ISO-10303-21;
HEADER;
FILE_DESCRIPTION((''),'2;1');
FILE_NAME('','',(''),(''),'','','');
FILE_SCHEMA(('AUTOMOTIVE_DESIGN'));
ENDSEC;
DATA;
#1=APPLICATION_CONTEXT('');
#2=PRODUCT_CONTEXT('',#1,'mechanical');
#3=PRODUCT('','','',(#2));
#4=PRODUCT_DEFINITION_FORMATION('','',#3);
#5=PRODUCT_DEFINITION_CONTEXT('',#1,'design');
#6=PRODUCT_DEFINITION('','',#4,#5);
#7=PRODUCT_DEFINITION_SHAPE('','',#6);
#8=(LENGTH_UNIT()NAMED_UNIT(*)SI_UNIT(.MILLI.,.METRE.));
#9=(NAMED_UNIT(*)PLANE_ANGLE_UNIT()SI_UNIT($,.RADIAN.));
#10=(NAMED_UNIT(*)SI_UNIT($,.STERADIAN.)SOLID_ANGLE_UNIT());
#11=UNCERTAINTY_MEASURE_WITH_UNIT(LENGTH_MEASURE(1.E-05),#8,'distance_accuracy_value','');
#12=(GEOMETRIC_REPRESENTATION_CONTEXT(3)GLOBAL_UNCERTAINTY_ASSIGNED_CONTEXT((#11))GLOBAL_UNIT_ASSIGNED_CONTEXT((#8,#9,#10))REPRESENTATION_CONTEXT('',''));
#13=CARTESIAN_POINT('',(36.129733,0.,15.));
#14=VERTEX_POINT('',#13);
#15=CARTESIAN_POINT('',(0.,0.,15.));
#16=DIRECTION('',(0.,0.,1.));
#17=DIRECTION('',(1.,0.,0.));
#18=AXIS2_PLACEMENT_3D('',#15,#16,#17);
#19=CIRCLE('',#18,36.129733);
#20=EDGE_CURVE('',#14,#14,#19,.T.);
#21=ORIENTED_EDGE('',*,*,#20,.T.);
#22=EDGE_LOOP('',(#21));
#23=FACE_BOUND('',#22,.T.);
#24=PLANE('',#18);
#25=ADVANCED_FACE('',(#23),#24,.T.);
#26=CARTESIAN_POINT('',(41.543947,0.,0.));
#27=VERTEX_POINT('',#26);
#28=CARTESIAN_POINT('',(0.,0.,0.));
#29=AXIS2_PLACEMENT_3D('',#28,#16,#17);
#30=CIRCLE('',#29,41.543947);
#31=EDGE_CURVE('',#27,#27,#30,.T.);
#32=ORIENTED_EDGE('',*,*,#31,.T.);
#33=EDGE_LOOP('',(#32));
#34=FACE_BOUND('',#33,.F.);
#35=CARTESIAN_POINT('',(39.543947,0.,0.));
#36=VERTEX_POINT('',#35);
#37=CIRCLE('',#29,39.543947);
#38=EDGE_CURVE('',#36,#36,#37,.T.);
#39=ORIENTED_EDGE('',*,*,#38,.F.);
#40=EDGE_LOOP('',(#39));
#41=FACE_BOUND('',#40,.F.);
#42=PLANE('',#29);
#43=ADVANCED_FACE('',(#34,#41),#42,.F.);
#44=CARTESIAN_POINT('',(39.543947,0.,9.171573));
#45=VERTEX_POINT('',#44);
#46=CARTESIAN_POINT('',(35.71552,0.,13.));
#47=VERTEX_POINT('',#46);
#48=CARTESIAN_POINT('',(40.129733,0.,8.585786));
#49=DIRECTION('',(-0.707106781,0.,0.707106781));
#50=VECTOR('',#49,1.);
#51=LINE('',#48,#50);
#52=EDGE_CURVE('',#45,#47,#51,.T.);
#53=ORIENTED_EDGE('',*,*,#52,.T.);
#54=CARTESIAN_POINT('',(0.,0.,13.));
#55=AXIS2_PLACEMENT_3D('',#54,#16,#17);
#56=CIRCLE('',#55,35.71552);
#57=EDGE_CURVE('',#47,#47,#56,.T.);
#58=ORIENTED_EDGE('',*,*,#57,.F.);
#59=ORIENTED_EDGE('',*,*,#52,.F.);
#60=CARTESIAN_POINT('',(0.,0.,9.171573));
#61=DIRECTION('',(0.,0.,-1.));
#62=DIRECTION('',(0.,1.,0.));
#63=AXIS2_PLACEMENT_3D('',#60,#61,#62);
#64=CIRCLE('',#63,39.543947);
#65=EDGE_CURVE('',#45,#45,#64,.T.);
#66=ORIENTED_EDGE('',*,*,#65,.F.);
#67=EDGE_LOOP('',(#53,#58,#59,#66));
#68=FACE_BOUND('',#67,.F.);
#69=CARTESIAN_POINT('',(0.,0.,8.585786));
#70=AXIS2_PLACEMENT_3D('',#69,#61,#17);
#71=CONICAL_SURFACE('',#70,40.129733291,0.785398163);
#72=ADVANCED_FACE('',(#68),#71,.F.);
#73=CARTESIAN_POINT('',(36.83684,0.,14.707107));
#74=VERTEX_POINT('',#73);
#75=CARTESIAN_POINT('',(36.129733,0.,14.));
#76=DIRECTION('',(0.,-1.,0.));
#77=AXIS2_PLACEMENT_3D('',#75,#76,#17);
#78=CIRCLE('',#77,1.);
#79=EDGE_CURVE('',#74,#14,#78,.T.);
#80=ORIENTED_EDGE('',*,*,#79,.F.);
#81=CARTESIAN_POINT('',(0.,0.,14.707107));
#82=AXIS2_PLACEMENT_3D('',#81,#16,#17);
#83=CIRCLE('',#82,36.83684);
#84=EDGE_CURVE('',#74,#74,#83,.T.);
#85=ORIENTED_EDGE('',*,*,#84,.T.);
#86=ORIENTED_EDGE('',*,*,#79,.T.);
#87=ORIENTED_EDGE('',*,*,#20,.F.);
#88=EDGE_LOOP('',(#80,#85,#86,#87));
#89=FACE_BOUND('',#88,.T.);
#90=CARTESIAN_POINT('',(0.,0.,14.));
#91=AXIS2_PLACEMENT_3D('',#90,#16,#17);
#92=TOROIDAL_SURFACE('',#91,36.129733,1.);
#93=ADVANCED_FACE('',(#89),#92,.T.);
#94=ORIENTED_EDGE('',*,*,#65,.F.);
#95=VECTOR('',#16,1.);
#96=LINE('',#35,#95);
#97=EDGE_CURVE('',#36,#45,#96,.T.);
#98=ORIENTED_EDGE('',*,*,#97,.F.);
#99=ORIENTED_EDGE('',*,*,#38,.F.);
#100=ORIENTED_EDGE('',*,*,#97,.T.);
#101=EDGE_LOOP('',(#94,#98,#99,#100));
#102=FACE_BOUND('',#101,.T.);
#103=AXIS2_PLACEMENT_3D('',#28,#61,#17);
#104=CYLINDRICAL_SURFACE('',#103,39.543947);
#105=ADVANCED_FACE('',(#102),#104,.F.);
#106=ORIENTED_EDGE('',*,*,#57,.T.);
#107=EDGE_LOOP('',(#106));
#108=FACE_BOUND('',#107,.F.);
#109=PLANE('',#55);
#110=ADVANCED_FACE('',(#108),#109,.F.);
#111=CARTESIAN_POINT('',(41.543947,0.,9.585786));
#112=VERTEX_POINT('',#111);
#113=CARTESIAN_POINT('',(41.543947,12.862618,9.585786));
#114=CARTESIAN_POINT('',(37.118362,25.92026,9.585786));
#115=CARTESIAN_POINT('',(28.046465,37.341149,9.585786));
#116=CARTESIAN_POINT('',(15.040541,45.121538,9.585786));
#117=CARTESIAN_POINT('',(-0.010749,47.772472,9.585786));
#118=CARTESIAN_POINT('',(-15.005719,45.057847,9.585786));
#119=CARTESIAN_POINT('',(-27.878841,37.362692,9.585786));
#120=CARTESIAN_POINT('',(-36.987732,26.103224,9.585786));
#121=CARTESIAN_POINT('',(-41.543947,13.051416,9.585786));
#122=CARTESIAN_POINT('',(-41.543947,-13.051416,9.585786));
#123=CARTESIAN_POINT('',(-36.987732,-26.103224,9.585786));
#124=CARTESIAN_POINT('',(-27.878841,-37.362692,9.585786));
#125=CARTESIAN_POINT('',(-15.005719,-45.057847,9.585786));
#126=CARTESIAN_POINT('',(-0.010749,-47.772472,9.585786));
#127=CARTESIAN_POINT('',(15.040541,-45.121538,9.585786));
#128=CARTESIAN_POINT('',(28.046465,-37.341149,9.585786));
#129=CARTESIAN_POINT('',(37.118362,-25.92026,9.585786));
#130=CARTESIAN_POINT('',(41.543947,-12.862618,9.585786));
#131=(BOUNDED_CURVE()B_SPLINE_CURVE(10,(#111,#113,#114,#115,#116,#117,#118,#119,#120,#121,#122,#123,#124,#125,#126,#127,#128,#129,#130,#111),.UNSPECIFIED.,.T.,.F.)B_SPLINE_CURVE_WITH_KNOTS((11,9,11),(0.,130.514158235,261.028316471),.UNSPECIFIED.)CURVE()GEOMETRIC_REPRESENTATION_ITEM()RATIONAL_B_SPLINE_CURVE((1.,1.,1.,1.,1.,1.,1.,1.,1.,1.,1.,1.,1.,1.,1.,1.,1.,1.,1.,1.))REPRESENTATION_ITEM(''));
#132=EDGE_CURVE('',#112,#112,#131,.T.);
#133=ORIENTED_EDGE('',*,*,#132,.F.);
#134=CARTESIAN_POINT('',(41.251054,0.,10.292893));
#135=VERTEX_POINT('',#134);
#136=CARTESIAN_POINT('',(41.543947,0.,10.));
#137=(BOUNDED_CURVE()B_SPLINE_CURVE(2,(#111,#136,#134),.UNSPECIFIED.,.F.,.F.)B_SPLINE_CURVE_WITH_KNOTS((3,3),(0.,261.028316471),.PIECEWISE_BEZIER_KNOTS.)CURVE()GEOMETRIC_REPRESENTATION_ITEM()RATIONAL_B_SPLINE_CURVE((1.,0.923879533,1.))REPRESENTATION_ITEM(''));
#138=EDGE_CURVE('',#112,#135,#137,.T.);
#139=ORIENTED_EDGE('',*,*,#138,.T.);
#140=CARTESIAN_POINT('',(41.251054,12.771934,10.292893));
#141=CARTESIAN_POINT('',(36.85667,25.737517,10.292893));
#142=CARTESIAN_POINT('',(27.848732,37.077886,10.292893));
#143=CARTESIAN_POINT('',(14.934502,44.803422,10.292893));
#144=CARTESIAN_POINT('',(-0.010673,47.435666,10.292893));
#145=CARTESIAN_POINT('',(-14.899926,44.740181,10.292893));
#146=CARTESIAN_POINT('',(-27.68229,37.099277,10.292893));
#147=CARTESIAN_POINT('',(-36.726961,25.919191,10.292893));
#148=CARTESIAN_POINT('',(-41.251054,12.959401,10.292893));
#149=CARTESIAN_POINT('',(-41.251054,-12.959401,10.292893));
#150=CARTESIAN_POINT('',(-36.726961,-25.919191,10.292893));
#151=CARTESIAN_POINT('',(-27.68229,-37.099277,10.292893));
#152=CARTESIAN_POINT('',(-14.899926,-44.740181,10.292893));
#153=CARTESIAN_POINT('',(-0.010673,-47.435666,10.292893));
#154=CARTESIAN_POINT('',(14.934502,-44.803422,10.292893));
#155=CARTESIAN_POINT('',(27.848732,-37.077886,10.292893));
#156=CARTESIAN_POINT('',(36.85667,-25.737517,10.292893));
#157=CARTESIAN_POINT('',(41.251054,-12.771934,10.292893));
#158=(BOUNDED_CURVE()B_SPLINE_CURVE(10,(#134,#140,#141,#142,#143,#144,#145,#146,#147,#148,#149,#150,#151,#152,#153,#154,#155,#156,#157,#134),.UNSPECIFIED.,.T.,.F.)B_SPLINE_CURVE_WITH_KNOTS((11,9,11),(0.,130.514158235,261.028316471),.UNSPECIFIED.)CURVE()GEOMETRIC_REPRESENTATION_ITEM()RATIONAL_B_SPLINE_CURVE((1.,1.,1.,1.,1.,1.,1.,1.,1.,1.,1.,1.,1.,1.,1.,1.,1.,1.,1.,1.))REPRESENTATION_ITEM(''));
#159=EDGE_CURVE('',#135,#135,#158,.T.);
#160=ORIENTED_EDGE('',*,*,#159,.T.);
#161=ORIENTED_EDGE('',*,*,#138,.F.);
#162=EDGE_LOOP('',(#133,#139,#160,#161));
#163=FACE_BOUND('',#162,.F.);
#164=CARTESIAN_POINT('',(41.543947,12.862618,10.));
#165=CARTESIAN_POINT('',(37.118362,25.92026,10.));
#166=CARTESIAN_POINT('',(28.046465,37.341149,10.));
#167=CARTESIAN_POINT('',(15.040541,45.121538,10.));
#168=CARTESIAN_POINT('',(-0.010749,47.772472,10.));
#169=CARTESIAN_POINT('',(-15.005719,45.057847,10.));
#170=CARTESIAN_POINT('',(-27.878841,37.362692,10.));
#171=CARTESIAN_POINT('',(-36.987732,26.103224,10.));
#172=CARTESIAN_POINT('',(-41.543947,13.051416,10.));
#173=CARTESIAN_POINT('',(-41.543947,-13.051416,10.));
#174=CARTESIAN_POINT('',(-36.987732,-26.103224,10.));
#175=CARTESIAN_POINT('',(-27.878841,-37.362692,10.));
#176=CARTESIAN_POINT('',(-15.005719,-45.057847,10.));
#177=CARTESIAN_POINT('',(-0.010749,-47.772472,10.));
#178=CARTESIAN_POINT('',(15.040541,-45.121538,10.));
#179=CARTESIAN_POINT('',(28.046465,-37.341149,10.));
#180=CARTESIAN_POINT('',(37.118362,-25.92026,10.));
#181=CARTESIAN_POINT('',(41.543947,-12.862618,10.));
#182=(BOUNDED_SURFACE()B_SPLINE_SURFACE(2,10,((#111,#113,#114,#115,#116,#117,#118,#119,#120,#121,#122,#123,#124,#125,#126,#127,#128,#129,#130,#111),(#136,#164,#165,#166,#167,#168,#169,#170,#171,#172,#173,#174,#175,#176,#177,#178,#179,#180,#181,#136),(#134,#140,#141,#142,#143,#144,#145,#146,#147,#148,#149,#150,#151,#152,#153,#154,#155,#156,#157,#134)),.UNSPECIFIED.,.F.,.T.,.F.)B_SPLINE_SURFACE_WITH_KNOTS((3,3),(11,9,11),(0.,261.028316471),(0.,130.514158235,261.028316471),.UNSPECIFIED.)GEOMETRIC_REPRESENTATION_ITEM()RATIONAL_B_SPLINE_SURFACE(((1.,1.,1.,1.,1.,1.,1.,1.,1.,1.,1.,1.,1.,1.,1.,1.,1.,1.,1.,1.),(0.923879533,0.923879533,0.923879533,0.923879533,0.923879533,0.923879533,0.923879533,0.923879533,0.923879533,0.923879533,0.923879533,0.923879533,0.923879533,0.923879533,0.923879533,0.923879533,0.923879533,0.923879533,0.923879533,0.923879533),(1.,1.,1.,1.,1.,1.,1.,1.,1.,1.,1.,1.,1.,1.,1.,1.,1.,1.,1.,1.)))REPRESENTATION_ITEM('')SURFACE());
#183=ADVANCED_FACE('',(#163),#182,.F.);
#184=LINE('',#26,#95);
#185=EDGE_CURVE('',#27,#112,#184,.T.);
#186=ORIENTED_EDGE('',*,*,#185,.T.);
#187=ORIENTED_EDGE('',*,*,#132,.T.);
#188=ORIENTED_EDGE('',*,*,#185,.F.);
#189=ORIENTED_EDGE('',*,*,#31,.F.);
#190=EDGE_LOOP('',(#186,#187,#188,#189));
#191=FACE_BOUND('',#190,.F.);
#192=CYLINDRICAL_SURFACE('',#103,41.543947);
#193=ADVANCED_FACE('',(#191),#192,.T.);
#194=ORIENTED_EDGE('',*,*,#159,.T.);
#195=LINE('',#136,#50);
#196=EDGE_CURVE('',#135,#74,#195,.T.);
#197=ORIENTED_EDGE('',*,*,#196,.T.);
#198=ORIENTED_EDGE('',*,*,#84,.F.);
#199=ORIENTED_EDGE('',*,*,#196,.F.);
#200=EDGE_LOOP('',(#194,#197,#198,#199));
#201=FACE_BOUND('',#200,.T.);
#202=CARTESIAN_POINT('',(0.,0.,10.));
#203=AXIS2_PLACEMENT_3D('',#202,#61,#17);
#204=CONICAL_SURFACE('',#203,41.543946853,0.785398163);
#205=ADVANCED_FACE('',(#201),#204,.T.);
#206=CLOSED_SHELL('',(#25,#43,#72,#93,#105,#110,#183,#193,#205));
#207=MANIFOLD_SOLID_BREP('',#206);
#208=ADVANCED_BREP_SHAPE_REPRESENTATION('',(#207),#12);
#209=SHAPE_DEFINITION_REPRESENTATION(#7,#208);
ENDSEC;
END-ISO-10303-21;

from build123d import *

# Parameters (mm, degrees)
F0_R     = 41.5439468533
F1_DEPTH = 15
F2_SIZE  = 5
F3_T     = -2
F4_R     = 1


with BuildPart() as f1:
    # F0 (on Top) → F1 (new body)
    with BuildSketch(Plane.XY):
        Circle(F0_R)
    extrude(amount=F1_DEPTH)

    # F2
    f2_edges = [f1.edges().sort_by_distance(p)[0] for p in [
        (-41.543947, 0, 15),
    ]]
    chamfer(f2_edges, length=F2_SIZE)

    # F3
    f3_openings = [f1.faces().sort_by_distance(p)[0] for p in [
        (0, 0, 0),
    ]]
    offset(amount=F3_T, openings=f3_openings)

    # F4
    f4_edges = [f1.edges().sort_by_distance(p)[0] for p in [
        (39.043947, 0, 12.5),
        (-41.543947, 0, 10),
        (-36.543947, 0, 15),
    ]]
    fillet(f4_edges, radius=F4_R)


solid = f1.part
